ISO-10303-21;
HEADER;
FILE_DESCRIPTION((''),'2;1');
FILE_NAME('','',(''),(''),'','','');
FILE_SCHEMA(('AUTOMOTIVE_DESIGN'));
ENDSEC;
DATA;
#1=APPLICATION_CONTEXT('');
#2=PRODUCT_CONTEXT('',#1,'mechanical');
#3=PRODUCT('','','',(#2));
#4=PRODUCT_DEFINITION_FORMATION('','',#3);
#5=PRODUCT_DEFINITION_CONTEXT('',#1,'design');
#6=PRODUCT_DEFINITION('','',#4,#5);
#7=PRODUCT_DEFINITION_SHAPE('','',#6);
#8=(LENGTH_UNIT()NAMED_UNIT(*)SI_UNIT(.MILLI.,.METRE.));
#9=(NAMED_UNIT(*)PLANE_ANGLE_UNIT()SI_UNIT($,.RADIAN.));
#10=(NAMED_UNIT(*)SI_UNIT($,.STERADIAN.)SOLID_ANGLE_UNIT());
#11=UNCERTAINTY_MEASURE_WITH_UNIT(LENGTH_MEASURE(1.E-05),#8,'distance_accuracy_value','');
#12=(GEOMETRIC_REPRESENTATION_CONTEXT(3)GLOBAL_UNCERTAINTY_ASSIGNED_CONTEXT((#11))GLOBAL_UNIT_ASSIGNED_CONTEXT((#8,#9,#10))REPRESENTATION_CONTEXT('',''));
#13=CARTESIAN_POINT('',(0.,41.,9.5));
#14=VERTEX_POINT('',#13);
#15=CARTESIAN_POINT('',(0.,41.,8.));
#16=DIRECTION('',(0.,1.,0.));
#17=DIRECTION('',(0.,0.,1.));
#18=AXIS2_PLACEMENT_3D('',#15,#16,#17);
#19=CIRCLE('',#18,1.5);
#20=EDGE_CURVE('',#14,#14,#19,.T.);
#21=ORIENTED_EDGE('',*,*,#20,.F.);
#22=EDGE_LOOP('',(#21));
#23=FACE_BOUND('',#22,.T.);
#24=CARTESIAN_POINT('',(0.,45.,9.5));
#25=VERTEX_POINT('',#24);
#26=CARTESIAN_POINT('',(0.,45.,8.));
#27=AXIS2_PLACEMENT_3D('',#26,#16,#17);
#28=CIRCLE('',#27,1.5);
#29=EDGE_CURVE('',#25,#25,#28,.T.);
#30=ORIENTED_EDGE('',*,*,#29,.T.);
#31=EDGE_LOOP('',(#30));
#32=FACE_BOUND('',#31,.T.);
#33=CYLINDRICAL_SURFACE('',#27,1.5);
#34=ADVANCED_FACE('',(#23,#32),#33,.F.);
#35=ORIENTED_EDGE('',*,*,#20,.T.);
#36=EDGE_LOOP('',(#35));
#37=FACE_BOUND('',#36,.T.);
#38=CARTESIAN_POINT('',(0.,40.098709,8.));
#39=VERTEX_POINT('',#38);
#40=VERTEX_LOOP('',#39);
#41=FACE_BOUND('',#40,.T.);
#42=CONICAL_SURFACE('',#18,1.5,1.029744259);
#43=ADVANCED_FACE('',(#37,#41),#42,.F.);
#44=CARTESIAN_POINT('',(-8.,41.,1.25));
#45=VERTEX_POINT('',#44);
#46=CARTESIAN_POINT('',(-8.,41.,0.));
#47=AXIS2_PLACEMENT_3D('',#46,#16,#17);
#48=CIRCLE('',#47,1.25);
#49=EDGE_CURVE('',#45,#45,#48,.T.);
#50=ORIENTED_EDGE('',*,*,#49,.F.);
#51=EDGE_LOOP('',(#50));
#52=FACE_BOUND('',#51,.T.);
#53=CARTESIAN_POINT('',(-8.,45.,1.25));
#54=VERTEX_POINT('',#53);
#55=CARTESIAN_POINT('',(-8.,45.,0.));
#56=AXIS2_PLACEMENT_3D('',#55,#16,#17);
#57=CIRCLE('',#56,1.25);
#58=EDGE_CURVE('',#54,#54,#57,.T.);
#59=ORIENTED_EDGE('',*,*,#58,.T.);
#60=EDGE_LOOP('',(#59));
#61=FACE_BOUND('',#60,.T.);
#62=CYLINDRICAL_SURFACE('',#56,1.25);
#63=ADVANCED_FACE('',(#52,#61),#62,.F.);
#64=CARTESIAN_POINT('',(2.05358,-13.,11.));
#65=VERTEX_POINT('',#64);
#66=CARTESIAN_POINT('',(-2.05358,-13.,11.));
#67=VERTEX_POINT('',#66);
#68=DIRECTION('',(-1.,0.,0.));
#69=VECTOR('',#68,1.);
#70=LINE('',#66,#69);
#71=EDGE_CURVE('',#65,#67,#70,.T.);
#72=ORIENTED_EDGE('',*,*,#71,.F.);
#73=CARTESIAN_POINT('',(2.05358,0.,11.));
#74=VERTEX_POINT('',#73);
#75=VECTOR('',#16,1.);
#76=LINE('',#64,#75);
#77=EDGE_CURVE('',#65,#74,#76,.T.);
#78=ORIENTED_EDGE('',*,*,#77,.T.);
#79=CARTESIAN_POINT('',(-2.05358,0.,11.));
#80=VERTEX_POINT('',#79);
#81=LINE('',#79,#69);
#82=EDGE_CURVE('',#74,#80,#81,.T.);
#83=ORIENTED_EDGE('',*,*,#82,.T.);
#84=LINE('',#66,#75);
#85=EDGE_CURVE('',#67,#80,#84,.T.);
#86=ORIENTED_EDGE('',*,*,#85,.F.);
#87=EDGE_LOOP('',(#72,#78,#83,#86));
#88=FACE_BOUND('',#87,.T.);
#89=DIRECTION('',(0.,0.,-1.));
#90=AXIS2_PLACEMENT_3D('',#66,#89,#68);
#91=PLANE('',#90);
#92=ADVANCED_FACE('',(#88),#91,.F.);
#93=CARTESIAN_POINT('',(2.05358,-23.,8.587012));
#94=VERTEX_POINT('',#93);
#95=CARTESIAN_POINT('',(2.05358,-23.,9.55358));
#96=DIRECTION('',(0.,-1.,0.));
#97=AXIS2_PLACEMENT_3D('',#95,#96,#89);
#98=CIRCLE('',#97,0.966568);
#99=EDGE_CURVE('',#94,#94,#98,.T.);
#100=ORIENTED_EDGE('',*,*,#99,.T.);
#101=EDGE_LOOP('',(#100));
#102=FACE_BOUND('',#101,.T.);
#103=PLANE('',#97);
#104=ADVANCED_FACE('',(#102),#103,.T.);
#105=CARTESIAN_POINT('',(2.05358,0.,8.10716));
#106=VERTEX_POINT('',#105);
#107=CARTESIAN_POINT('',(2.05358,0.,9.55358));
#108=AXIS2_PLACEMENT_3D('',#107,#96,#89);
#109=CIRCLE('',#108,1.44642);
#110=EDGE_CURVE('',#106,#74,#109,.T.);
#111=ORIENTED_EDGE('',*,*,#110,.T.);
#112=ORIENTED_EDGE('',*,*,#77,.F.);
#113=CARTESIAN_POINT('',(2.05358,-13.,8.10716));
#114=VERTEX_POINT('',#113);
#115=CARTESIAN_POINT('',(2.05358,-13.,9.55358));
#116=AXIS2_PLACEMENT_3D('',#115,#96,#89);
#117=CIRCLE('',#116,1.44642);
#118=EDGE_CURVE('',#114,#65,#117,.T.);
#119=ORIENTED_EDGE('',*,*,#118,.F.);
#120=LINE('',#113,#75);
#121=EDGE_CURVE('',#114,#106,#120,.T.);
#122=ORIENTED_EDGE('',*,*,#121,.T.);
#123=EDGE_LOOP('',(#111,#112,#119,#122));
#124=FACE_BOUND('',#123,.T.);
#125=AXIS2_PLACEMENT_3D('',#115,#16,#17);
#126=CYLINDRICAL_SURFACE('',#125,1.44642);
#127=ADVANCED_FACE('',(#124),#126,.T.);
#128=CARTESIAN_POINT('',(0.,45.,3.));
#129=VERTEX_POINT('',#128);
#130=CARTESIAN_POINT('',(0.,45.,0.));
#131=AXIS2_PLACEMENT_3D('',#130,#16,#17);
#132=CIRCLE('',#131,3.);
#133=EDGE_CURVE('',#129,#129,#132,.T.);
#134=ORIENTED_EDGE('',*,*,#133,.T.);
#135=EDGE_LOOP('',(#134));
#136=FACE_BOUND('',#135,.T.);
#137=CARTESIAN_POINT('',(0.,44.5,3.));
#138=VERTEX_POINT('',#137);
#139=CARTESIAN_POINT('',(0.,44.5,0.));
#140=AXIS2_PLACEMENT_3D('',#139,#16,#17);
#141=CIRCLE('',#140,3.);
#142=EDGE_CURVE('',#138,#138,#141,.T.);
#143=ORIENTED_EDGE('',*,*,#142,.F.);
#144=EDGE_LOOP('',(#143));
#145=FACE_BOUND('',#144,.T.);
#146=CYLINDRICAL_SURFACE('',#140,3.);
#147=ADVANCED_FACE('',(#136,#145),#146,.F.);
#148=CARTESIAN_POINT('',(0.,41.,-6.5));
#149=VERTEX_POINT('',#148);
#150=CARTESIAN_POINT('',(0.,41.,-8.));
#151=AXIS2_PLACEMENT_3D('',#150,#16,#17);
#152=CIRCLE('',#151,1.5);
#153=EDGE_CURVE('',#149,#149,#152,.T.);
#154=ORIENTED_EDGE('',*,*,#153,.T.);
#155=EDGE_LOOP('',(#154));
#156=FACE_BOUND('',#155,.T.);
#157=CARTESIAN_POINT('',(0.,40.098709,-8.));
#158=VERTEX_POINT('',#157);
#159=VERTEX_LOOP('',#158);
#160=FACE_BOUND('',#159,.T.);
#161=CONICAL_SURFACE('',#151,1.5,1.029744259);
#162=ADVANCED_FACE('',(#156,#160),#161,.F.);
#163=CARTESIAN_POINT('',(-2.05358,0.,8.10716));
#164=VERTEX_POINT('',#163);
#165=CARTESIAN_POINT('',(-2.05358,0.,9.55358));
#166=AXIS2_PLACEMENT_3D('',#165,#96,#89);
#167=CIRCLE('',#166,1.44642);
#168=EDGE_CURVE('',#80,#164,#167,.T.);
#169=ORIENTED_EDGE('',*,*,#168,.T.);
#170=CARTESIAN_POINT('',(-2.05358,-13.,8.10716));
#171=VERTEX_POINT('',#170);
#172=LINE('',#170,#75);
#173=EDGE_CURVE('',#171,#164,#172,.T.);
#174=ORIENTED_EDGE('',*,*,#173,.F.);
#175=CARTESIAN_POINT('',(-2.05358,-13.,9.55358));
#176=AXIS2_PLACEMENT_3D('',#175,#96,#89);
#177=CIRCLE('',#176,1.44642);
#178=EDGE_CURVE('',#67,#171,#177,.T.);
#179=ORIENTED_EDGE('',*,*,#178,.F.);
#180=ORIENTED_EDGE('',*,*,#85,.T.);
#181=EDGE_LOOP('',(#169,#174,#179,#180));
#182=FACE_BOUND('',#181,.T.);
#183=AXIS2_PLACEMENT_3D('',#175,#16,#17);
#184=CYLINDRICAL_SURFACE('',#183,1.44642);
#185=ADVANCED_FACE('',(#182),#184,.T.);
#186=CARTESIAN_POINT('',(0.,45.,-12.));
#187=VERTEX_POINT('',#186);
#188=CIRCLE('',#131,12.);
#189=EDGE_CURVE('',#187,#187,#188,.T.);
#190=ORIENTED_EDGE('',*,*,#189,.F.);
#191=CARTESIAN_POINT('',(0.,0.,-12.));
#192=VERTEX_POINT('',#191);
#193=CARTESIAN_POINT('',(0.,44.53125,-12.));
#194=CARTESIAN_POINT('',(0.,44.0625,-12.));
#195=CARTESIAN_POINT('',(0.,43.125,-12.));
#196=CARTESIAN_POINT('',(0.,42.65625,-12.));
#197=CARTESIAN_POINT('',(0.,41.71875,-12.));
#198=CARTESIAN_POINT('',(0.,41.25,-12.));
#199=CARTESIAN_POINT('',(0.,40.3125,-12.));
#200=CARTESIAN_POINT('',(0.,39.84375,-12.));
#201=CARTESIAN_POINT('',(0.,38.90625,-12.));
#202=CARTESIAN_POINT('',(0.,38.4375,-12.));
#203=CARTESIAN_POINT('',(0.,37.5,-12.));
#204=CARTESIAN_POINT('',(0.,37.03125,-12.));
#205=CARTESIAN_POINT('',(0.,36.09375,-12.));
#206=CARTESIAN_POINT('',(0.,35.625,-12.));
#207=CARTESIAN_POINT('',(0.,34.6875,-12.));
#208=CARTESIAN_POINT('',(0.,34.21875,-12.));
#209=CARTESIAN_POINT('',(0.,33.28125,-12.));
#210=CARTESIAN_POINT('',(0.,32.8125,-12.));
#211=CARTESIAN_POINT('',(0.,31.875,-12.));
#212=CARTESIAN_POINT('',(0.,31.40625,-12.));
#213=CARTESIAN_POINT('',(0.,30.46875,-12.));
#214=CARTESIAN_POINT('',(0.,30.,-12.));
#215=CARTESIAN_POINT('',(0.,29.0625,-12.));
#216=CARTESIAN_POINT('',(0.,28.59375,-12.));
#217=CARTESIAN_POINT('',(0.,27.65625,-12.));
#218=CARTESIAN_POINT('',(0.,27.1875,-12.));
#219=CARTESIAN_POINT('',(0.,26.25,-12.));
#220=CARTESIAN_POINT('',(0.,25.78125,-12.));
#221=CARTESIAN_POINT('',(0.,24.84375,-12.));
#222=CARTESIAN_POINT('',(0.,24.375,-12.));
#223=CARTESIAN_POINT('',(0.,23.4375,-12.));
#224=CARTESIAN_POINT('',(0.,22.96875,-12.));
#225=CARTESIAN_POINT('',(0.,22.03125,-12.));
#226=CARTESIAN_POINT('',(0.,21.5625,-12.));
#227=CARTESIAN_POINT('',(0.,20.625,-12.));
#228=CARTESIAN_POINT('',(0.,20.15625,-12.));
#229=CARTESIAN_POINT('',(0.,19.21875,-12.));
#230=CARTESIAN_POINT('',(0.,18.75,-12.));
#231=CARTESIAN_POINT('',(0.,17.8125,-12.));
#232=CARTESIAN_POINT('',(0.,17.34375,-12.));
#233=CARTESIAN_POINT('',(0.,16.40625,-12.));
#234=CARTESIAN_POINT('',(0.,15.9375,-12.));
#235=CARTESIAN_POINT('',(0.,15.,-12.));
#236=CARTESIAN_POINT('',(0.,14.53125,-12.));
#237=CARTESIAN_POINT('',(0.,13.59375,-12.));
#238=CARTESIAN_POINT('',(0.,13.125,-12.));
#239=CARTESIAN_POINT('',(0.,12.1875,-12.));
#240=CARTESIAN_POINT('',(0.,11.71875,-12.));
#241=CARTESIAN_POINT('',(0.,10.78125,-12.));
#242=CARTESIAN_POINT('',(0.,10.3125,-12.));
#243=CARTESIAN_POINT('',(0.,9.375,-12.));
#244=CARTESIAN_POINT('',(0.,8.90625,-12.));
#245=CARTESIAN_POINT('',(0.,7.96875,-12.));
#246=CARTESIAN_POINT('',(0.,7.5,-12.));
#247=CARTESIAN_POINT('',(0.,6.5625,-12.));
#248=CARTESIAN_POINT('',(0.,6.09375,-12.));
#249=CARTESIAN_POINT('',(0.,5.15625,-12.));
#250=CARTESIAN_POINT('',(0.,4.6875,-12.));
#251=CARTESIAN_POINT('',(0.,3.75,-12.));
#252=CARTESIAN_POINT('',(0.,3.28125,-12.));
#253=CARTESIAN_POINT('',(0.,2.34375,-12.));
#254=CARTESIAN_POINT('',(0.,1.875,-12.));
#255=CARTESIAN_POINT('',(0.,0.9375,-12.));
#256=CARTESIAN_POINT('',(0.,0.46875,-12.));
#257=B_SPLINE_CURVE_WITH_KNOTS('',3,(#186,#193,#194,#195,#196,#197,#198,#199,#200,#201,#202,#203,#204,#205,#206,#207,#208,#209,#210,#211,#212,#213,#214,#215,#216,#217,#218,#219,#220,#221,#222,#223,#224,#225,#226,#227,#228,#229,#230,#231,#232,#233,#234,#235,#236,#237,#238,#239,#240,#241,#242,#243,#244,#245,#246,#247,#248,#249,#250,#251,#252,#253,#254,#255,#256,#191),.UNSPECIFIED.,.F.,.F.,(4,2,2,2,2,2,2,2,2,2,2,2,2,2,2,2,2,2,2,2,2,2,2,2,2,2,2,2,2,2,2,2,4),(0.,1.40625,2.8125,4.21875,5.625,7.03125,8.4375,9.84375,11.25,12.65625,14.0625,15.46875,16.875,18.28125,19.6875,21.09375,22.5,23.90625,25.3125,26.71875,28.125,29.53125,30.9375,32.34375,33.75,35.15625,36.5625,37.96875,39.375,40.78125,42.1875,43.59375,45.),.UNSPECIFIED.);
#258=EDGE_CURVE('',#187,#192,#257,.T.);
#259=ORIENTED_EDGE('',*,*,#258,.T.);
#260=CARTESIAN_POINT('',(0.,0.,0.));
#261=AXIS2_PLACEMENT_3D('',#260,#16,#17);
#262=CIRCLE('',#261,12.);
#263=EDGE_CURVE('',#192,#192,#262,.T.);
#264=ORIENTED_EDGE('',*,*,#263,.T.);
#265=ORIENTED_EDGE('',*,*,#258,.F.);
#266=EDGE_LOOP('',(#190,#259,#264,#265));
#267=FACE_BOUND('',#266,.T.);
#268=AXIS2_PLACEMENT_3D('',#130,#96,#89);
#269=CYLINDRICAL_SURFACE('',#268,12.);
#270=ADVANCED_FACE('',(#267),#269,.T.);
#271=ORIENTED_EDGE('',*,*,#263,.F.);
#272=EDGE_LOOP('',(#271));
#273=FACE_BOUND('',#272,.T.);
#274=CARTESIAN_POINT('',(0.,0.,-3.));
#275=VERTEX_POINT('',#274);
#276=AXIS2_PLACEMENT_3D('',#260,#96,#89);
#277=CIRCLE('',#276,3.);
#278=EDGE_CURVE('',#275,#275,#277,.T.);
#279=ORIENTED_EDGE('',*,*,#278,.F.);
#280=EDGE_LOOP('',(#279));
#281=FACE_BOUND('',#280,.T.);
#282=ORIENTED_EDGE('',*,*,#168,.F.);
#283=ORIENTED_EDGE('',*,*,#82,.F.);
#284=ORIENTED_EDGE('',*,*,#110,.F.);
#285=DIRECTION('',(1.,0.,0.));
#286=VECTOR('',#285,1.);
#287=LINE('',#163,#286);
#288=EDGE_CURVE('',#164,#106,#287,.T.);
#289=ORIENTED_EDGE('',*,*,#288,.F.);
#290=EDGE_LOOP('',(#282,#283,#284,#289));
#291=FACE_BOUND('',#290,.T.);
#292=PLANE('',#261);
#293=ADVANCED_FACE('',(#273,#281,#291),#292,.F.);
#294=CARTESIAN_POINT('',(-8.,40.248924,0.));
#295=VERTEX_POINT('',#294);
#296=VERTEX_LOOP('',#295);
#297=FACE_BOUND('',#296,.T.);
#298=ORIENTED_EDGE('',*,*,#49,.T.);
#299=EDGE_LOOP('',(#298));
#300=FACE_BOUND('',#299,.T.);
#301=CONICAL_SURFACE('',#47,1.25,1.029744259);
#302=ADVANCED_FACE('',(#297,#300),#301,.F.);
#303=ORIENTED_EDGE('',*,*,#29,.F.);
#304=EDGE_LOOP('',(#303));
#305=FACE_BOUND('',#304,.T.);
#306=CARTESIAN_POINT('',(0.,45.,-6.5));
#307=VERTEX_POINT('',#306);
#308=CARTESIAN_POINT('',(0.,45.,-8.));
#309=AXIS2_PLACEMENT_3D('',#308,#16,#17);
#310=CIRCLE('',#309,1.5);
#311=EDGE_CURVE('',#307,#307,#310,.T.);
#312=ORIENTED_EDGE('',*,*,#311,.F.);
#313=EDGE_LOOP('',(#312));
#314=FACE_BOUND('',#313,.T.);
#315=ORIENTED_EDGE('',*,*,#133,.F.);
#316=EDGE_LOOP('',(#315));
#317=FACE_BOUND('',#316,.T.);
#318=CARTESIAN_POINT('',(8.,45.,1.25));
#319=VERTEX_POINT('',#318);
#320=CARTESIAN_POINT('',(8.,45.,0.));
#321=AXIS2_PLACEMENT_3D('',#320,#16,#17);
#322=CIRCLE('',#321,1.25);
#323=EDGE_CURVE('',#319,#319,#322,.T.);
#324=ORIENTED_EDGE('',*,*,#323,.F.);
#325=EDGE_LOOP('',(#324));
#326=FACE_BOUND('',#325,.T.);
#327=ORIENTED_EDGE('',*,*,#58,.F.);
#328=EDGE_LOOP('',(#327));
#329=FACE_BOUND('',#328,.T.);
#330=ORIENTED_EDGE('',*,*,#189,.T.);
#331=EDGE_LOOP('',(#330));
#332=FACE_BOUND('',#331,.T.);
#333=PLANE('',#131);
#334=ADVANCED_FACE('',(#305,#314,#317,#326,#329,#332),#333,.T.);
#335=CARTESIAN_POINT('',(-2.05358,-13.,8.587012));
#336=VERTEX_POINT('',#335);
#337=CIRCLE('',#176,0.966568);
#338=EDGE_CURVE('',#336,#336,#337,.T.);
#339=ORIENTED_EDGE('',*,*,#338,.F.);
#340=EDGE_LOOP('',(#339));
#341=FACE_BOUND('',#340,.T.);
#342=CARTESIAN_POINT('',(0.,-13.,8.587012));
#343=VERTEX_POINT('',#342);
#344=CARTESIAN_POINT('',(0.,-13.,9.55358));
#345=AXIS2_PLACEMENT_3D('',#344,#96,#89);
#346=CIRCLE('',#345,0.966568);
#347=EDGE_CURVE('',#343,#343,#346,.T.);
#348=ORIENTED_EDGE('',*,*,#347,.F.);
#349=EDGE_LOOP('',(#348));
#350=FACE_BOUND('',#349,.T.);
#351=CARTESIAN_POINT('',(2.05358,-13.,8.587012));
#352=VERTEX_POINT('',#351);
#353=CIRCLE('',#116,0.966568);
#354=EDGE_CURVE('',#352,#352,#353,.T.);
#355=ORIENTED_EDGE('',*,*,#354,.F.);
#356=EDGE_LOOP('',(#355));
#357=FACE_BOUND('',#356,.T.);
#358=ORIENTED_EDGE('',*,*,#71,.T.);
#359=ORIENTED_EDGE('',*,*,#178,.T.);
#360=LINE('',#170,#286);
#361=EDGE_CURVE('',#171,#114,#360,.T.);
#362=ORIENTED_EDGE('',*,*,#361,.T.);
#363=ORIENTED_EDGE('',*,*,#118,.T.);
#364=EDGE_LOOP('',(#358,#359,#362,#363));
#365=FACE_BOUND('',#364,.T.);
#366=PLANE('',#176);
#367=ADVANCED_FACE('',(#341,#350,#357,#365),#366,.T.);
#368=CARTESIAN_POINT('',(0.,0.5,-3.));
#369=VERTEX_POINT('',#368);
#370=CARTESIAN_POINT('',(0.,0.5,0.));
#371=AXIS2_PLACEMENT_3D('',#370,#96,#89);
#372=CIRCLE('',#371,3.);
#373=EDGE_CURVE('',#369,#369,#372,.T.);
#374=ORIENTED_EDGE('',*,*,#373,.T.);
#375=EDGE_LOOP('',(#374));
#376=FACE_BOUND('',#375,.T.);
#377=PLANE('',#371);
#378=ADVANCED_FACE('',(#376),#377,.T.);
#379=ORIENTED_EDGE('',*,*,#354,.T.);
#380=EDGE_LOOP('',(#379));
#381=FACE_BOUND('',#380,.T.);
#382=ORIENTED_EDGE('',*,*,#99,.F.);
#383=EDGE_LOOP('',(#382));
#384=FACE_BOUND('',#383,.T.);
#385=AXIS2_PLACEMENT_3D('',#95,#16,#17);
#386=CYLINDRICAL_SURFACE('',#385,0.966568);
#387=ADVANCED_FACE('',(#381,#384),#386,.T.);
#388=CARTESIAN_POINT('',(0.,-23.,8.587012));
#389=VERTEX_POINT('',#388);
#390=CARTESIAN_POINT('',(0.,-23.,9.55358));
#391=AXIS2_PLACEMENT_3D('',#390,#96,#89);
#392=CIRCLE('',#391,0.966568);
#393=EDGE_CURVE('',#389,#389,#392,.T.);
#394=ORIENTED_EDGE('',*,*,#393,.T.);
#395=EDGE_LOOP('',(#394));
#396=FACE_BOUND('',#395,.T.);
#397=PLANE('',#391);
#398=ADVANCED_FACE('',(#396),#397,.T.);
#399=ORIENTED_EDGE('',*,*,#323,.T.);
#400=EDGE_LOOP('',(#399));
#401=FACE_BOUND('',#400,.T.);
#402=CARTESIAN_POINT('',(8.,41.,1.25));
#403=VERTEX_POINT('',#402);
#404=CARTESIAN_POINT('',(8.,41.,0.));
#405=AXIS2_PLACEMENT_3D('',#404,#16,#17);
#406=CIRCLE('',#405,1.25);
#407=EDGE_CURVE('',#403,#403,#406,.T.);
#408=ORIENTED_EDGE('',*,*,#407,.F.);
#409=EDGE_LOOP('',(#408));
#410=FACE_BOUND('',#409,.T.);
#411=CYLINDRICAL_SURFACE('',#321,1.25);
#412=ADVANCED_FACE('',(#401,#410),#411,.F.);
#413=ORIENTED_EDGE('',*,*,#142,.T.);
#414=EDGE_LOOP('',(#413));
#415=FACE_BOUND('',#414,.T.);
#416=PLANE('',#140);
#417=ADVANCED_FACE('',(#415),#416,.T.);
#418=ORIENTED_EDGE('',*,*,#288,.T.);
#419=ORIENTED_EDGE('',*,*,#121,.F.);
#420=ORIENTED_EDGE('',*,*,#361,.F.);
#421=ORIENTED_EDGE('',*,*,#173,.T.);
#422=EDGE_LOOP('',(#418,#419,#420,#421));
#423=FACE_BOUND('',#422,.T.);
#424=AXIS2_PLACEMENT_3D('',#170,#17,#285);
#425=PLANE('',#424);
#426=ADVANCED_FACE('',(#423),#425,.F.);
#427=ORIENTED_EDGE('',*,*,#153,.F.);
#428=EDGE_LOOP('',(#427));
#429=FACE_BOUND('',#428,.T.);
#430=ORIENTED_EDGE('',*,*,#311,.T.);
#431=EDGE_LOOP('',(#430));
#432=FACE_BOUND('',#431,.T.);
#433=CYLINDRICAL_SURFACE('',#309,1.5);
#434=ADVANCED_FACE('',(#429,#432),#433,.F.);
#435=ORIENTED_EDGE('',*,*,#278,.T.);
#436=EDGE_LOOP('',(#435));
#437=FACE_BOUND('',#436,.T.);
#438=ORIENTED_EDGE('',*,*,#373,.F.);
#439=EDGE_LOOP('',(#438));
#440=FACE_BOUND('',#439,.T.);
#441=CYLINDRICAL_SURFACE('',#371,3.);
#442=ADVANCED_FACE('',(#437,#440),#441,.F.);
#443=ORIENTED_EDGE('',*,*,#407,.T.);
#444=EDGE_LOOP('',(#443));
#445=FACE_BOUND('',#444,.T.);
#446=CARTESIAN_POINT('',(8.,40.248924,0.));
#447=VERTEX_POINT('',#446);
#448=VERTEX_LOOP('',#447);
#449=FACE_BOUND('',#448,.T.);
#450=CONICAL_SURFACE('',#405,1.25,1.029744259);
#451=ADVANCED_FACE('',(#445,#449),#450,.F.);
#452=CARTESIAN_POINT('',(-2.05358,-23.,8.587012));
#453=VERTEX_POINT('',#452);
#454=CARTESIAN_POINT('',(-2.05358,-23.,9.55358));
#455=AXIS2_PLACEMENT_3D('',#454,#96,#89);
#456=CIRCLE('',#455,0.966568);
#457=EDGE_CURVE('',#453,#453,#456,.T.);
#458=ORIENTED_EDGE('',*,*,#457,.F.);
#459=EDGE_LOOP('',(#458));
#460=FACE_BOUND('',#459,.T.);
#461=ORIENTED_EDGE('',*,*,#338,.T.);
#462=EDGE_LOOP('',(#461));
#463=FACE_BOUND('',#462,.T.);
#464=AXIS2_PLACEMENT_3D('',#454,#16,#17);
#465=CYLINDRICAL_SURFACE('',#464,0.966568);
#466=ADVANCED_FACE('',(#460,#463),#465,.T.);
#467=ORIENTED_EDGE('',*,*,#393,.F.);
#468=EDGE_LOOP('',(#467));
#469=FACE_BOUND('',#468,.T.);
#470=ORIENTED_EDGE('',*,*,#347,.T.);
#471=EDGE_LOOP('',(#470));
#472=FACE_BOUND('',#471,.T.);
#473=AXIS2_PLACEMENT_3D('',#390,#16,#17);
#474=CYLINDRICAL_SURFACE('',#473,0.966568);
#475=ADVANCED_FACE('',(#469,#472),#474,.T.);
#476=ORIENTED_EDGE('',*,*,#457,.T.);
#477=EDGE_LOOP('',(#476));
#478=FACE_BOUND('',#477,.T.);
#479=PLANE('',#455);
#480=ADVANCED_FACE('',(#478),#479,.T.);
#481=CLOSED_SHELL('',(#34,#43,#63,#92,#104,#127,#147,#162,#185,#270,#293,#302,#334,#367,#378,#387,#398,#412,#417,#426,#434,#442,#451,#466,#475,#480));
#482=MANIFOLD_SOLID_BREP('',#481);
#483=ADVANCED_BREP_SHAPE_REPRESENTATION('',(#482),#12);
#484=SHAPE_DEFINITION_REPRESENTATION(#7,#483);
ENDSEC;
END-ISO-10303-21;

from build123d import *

# Parameters (mm, degrees)
SKETCH1_R              = 12
MOTORCASE_DEPTH        = 45
HOLE_WIZARD_M2_5_D     = 2.5
HOLE_WIZARD_M2_5_DEPTH = 4
HOLE_WIZARD_M2_5_TIP   = 0.751075774
HOLE_WIZARD_M3_D       = 3
HOLE_WIZARD_M3_DEPTH   = 4
HOLE_WIZARD_M3_TIP     = 0.901290929
BOSS_EXTRUDE1_DEPTH    = 13
SKETCH15_R             = 0.966568062
BOSS_EXTRUDE2_DEPTH    = 10
SKETCH16_R             = 3
CUT_EXTRUDE2_DEPTH     = 0.5
CUT_EXTRUDE3_START     = -0.5
SKETCH17_R             = 3
CUT_EXTRUDE3_DEPTH     = 0.5


with BuildPart() as part:
    # Sketch1 → MotorCase (new body)
    with BuildSketch(Plane(origin=(0, 0, 0), x_dir=(1, 0, 0), z_dir=(0, 1, 0))):
        with Locations(Location((0, 0, 0), (0, 0, 90))):
            Circle(SKETCH1_R)
    extrude(amount=MOTORCASE_DEPTH)

    # Hole Wizard M2.5
    with Locations(Plane(origin=(0, 45, 0), x_dir=(1, 0, 0), z_dir=(0, 1, 0))):
        with Locations((8, 0), (-8, 0)):
            Hole(HOLE_WIZARD_M2_5_D / 2, depth=HOLE_WIZARD_M2_5_DEPTH)
            with Locations((0, 0, -(HOLE_WIZARD_M2_5_DEPTH + HOLE_WIZARD_M2_5_TIP / 2))):  # 118° drill point
                Cone(0, HOLE_WIZARD_M2_5_D / 2, HOLE_WIZARD_M2_5_TIP, mode=Mode.SUBTRACT)

    # Hole Wizard M3
    with Locations(Plane(origin=(0, 45, 0), x_dir=(1, 0, 0), z_dir=(0, 1, 0))):
        with Locations((0, 8), (0, -8)):
            Hole(HOLE_WIZARD_M3_D / 2, depth=HOLE_WIZARD_M3_DEPTH)
            with Locations((0, 0, -(HOLE_WIZARD_M3_DEPTH + HOLE_WIZARD_M3_TIP / 2))):  # 118° drill point
                Cone(0, HOLE_WIZARD_M3_D / 2, HOLE_WIZARD_M3_TIP, mode=Mode.SUBTRACT)

    # Sketch14 → Boss-Extrude1 (add)
    with BuildSketch(Plane.XZ):
        with BuildLine():
            Line((-2.053579932, 11), (2.053579932, 11))
            ThreePointArc((2.053579932, 11), (3.5, 9.553579932), (2.053579932, 8.107159865))
            Line((2.053579932, 8.107159865), (-2.053579932, 8.107159865))
            ThreePointArc((-2.053579932, 8.107159865), (-3.5, 9.553579932), (-2.053579932, 11))
        make_face()
    extrude(amount=BOSS_EXTRUDE1_DEPTH)

    # Sketch15 → Boss-Extrude2 (add)
    with BuildSketch(Plane.XZ.offset(13)):
        with Locations(Location((-2.053579932, 9.553579932, 0), (0, 0, 270))):
            Circle(SKETCH15_R)
        with Locations(Location((0, 9.553579932, 0), (0, 0, 270))):
            Circle(SKETCH15_R)
        with Locations(Location((2.053579932, 9.553579932, 0), (0, 0, 270))):
            Circle(SKETCH15_R)
    extrude(amount=BOSS_EXTRUDE2_DEPTH)

    # Sketch16 → Cut-Extrude2 (cut)
    with BuildSketch(Plane.XZ):
        with Locations(Location((0, 0, 0), (0, 0, 270))):
            Circle(SKETCH16_R)
    extrude(amount=-CUT_EXTRUDE2_DEPTH, mode=Mode.SUBTRACT)

    # Sketch17 → Cut-Extrude3 (cut)
    with BuildSketch(Plane(origin=(0, 45, 0), x_dir=(1, 0, 0), z_dir=(0, 1, 0)).offset(CUT_EXTRUDE3_START)):
        with Locations(Location((0, 0, 0), (0, 0, 90))):
            Circle(SKETCH17_R)
    extrude(amount=CUT_EXTRUDE3_DEPTH, mode=Mode.SUBTRACT)


solid = part.part
